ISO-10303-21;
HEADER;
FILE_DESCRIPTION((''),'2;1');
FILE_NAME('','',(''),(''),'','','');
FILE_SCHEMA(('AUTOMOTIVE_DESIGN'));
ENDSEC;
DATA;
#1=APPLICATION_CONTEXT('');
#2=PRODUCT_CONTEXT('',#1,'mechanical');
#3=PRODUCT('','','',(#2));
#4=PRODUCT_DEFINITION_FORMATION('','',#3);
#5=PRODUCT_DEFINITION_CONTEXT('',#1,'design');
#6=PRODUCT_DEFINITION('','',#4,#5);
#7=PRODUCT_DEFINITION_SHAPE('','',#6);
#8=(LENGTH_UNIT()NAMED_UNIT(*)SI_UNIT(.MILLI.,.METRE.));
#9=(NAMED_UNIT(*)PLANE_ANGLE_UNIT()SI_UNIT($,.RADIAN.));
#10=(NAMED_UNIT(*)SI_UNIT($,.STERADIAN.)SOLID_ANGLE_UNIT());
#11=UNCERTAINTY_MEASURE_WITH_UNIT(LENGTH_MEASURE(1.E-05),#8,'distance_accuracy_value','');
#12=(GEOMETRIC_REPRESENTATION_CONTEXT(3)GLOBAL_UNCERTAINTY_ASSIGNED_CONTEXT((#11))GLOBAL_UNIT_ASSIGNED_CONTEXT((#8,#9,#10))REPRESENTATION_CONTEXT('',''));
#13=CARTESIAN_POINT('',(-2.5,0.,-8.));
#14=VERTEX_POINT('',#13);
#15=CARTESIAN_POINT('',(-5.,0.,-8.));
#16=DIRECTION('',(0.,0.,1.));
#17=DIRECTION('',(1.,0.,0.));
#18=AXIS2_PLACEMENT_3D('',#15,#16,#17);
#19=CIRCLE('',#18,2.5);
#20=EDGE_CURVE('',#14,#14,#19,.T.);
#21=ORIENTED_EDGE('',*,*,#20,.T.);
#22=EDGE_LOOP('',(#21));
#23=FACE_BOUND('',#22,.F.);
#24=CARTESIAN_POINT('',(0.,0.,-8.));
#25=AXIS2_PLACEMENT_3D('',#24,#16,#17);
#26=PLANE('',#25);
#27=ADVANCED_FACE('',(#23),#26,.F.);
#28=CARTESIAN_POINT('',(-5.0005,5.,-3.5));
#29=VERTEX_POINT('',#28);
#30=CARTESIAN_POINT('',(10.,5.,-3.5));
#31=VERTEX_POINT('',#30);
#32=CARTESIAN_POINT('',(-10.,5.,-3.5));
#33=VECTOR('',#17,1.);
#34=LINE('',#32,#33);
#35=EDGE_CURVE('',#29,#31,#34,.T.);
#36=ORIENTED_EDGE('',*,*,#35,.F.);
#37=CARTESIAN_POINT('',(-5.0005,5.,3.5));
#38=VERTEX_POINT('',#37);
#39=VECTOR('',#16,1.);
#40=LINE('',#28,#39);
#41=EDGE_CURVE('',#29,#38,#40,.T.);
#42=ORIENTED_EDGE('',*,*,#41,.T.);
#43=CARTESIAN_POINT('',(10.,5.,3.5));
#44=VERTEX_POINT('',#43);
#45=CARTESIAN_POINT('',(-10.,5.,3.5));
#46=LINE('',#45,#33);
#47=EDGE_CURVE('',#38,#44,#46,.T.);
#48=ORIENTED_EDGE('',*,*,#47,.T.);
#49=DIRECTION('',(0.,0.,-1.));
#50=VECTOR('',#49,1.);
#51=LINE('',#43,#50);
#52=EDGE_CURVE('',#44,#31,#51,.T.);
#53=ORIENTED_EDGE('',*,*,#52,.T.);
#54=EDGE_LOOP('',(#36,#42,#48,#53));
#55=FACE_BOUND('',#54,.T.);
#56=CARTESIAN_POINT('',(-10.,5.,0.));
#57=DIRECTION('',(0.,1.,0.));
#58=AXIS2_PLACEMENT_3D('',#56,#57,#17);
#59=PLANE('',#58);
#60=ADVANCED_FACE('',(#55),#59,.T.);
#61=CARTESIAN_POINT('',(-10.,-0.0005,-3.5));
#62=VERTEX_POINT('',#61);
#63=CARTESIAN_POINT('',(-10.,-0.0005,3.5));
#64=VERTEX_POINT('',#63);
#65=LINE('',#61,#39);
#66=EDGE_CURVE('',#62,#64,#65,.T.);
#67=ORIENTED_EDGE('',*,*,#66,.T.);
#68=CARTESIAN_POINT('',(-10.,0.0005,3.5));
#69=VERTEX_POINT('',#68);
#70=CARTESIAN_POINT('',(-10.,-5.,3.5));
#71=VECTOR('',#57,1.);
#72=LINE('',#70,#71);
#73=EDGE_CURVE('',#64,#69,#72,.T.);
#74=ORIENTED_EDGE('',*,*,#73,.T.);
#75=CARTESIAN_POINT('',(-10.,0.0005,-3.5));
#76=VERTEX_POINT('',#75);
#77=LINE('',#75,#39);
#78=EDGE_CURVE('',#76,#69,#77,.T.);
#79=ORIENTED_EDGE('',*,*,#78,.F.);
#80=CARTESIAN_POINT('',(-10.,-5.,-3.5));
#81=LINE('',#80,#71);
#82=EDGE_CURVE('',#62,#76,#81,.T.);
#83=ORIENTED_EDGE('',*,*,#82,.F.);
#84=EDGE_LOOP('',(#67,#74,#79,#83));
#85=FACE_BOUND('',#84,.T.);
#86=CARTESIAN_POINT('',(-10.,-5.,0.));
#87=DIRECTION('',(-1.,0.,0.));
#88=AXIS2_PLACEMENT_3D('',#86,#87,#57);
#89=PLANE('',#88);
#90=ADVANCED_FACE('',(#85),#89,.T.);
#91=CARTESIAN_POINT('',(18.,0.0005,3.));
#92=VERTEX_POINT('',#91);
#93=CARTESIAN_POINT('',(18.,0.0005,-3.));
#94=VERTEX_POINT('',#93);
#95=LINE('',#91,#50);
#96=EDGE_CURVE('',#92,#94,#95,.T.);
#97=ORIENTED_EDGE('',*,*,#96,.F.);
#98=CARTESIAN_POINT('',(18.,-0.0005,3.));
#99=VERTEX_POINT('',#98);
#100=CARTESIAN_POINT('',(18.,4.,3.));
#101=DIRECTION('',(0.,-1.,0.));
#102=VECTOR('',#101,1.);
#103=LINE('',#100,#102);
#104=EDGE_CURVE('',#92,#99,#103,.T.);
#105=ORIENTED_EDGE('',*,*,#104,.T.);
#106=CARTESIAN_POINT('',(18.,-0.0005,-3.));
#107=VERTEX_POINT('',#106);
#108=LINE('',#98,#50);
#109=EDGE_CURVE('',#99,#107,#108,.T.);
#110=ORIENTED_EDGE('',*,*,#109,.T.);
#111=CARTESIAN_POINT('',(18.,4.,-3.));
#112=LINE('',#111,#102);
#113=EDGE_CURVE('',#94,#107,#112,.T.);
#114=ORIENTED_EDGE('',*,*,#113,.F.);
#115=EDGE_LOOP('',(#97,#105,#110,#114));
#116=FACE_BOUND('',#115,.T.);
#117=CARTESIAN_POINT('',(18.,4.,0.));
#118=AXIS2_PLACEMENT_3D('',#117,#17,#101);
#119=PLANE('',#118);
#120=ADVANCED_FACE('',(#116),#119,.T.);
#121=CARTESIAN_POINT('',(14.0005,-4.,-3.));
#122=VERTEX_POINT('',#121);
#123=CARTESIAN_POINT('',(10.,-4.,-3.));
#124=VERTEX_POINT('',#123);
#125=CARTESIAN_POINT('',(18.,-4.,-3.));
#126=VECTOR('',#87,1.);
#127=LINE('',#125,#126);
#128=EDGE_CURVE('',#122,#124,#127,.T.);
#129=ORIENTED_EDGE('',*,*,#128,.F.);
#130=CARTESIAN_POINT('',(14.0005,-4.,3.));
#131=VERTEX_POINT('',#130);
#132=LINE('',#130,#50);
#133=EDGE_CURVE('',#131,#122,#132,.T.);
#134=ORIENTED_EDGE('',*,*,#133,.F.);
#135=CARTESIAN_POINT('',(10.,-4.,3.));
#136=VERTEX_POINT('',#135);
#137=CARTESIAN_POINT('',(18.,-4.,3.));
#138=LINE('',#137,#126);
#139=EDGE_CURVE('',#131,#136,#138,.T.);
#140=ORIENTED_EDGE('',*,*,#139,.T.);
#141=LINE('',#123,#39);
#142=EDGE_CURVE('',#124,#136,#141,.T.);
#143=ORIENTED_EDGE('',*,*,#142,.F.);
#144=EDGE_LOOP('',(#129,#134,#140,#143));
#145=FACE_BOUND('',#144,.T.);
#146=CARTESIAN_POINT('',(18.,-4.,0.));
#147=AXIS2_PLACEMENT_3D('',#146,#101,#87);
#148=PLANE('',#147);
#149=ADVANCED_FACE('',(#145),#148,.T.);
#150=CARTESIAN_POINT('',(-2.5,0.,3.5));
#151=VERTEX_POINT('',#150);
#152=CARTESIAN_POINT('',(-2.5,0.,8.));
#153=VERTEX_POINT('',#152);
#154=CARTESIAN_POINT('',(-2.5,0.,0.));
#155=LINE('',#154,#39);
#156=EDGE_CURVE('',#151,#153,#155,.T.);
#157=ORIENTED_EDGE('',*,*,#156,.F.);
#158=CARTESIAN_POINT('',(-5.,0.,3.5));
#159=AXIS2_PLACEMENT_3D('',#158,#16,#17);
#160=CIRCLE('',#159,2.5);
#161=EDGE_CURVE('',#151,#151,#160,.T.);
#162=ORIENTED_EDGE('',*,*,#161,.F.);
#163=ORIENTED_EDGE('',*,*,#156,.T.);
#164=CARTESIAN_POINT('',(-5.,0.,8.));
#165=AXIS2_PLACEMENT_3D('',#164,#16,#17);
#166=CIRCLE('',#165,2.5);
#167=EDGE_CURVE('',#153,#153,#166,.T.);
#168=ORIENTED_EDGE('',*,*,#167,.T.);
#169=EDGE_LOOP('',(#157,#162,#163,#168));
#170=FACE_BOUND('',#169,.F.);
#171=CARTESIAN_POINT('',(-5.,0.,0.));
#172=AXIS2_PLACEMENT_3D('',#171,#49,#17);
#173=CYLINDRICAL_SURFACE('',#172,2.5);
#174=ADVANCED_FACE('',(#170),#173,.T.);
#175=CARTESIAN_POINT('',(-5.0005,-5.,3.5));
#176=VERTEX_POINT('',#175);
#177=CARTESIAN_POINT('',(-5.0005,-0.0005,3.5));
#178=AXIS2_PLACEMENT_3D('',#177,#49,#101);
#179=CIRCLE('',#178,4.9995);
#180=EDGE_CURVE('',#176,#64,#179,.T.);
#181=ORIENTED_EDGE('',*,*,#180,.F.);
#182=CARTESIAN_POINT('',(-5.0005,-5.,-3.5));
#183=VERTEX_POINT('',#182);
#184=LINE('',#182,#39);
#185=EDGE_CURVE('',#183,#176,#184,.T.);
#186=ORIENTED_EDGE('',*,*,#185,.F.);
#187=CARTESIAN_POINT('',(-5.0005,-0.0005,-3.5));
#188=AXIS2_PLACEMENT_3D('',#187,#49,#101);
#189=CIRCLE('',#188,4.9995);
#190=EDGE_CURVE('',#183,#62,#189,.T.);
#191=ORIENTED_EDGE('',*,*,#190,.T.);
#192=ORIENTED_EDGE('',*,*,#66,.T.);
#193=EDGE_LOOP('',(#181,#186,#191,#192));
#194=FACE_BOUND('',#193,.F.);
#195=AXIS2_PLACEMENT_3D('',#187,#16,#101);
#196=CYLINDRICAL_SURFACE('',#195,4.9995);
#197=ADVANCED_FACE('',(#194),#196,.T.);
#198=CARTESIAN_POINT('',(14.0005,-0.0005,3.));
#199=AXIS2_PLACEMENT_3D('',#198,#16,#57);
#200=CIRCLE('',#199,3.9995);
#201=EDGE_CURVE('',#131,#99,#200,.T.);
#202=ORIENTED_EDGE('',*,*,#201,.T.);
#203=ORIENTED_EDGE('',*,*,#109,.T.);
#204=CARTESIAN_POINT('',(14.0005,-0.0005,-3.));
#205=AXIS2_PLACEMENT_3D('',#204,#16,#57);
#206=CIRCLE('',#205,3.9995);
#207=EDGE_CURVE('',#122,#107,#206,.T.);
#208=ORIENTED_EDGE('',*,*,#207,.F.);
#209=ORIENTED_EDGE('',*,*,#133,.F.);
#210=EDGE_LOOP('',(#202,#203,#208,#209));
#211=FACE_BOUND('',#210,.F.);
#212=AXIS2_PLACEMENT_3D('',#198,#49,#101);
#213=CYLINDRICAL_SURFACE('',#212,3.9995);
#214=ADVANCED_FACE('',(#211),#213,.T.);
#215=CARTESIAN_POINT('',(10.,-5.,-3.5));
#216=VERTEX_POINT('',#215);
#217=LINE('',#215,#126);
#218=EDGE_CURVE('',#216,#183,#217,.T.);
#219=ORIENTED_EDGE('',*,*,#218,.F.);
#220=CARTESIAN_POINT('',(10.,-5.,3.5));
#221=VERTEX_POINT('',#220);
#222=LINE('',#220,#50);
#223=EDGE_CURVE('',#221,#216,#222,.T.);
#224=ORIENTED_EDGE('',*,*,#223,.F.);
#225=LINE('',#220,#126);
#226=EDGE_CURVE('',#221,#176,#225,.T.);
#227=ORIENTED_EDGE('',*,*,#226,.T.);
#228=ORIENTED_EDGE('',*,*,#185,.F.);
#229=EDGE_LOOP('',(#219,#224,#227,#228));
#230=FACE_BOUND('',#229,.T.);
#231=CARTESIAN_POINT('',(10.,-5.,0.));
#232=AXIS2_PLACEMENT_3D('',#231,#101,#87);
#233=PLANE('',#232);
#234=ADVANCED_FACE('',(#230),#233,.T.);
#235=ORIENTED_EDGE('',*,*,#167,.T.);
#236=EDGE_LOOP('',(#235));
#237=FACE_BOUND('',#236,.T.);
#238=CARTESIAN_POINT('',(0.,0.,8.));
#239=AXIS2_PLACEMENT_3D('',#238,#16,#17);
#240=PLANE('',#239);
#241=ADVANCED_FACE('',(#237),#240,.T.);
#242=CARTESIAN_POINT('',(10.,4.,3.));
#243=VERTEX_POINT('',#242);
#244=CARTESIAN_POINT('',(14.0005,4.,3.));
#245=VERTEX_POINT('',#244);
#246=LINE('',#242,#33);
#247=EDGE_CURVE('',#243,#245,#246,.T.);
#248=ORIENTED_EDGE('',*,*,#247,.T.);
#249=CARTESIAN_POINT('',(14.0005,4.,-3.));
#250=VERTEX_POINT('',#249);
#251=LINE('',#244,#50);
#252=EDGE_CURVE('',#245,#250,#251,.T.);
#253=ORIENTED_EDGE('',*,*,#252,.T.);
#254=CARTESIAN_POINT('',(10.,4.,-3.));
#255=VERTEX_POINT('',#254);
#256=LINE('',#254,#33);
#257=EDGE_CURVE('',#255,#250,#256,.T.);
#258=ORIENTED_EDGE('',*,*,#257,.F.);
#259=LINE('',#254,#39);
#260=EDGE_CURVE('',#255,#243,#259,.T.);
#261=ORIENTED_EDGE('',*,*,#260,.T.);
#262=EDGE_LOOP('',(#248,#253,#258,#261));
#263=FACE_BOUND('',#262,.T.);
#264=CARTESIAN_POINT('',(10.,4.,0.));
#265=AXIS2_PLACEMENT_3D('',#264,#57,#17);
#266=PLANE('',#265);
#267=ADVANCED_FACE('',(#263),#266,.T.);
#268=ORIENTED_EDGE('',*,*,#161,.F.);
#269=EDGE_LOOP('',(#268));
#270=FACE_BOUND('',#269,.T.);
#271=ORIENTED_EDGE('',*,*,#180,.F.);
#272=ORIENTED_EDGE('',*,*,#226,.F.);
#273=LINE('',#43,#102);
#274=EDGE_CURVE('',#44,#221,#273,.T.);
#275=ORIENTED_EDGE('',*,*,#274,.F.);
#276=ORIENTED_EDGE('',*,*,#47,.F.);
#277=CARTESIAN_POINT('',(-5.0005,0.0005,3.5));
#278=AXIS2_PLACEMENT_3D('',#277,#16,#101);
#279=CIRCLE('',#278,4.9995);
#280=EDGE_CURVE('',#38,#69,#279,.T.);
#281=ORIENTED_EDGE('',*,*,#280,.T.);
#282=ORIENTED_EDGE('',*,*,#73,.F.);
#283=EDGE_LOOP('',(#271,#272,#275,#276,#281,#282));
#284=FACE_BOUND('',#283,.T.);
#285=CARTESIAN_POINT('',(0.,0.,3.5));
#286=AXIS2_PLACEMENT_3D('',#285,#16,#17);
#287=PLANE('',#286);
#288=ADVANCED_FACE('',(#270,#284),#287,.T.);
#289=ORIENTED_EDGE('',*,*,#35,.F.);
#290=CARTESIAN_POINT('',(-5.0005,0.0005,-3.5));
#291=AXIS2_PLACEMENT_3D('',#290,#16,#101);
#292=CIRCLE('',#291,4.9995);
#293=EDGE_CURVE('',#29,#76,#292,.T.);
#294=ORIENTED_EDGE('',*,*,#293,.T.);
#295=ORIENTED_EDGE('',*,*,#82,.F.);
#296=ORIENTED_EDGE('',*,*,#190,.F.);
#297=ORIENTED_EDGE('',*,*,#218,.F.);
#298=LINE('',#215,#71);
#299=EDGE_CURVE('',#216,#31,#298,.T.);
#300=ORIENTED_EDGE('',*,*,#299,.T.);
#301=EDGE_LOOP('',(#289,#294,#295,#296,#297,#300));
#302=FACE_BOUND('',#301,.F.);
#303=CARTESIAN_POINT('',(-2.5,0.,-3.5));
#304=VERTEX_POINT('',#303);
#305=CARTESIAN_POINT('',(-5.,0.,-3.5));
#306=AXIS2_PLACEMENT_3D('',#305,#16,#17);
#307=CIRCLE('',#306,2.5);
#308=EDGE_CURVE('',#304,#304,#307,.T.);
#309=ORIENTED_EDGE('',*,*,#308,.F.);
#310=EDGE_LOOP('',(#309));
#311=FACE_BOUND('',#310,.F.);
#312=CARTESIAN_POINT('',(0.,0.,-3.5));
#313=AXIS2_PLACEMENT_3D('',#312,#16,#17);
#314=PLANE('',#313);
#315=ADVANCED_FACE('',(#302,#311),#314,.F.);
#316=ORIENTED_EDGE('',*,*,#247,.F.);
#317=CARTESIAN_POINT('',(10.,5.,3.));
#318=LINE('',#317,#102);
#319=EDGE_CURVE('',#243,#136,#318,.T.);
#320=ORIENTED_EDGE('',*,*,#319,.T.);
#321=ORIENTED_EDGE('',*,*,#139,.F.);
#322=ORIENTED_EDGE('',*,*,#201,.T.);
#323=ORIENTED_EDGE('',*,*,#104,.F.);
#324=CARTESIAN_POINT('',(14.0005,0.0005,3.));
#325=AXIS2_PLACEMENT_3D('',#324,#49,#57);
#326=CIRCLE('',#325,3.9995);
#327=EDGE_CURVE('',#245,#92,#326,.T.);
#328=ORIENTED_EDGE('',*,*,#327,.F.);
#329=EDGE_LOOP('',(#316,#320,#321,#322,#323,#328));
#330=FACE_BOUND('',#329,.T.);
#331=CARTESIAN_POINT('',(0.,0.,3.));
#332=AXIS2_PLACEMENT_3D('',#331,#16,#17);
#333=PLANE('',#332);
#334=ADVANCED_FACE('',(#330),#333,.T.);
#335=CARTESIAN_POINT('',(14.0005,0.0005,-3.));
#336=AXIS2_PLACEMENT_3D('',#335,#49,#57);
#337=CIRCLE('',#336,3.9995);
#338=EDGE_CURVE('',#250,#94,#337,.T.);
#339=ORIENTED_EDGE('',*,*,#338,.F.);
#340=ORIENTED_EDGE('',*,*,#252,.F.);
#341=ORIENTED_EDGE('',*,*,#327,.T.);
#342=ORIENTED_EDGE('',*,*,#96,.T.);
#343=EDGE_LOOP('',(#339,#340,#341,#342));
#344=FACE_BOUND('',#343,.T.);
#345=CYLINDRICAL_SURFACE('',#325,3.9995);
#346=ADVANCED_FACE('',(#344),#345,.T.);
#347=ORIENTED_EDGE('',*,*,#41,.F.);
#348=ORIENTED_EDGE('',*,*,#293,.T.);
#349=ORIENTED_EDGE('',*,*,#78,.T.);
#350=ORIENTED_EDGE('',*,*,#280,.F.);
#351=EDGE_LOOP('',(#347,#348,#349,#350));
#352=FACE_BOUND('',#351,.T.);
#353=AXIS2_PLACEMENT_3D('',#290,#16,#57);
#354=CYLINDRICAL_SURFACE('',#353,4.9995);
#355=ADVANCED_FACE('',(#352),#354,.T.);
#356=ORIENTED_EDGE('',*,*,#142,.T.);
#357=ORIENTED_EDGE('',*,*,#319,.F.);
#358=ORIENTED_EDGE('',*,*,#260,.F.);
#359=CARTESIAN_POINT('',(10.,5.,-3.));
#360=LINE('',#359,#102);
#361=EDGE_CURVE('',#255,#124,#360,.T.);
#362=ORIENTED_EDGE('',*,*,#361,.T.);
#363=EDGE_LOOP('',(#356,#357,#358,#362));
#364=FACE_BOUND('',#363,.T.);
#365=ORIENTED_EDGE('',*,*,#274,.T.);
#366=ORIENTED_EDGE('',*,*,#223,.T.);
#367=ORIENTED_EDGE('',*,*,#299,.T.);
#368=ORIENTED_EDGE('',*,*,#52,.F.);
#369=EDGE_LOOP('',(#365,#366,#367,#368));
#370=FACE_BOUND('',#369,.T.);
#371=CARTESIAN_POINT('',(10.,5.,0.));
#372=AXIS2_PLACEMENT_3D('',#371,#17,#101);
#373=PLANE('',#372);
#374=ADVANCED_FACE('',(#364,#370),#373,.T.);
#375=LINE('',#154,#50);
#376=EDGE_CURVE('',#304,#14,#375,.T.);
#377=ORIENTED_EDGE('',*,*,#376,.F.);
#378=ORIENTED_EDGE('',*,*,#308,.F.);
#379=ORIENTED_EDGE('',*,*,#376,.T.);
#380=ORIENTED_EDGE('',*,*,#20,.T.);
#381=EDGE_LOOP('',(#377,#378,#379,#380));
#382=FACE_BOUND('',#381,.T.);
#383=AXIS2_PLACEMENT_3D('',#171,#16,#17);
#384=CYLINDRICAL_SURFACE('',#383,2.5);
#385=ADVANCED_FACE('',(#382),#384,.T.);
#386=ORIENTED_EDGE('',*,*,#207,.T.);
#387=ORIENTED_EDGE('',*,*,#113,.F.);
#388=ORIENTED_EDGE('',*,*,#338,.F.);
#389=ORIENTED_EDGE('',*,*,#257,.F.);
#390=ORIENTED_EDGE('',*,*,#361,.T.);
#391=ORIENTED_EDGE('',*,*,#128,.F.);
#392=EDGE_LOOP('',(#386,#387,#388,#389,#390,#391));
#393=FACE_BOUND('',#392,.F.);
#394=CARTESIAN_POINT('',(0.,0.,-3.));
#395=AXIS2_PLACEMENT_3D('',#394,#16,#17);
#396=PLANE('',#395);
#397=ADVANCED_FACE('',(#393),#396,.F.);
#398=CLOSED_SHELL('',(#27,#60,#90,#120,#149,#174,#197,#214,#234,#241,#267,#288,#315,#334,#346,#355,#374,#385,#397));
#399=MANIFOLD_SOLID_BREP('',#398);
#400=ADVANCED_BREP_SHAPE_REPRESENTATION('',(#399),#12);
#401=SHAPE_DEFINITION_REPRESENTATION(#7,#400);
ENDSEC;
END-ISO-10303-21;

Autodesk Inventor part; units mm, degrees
ref_plane "YZ Plane" through (0, 0, 0) normal (1, 0, 0) x (0, 1, 0)
ref_plane "XZ Plane" through (0, 0, 0) normal (0, 1, 0) x (-1, 0, 0)
sketch "스케치1" plane through (0, 0, 0) normal (0, 0, 1) x (1, 0, 0)
  line L0 (-10, 5) -> (10, 5)
  line L1 (10, 5) -> (10, -5)
  line L2 (10, -5) -> (-10, -5)
  line L3 (-10, -5) -> (-10, 5)
  line L4 (-10, 5) -> (10, -5) construction
  line L5 (10, 5) -> (-10, -5) construction
  line L6 (10, 4) -> (18, 4)
  line L7 (18, 4) -> (18, -4)
  line L8 (18, -4) -> (10, -4)
  line L9 (10, -4) -> (10, 4)
  circle A0 centre (-5, 0) radius 2.5
  point P0 (0, 0)
  point P1 (0, 0)
  point P2 (18, 0)
  dimension "d0" = 20
  dimension "d1" = 10
  dimension "d2" = 8
  dimension "d3" = 8
  dimension "d4" = 5
  dimension "d5" = 15
  dimension "d6" = 5
extrude "돌출1" add sketch "스케치1" along normal mid plane 16 contours A0
extrude "돌출2" add sketch "스케치1" along normal mid plane 7 contours L0 L1 L2 L3
extrude "돌출3" add sketch "스케치1" along normal mid plane 6 contours L6 L7 L8 L1
fillet "모깎기1" radius 4 2 edges at (18, 4, 0) (18, -4, 0)
fillet "모깎기2" radius 5 2 edges at (-10, 5, 0) (-10, -5, 0)
properties part number "03-2"
